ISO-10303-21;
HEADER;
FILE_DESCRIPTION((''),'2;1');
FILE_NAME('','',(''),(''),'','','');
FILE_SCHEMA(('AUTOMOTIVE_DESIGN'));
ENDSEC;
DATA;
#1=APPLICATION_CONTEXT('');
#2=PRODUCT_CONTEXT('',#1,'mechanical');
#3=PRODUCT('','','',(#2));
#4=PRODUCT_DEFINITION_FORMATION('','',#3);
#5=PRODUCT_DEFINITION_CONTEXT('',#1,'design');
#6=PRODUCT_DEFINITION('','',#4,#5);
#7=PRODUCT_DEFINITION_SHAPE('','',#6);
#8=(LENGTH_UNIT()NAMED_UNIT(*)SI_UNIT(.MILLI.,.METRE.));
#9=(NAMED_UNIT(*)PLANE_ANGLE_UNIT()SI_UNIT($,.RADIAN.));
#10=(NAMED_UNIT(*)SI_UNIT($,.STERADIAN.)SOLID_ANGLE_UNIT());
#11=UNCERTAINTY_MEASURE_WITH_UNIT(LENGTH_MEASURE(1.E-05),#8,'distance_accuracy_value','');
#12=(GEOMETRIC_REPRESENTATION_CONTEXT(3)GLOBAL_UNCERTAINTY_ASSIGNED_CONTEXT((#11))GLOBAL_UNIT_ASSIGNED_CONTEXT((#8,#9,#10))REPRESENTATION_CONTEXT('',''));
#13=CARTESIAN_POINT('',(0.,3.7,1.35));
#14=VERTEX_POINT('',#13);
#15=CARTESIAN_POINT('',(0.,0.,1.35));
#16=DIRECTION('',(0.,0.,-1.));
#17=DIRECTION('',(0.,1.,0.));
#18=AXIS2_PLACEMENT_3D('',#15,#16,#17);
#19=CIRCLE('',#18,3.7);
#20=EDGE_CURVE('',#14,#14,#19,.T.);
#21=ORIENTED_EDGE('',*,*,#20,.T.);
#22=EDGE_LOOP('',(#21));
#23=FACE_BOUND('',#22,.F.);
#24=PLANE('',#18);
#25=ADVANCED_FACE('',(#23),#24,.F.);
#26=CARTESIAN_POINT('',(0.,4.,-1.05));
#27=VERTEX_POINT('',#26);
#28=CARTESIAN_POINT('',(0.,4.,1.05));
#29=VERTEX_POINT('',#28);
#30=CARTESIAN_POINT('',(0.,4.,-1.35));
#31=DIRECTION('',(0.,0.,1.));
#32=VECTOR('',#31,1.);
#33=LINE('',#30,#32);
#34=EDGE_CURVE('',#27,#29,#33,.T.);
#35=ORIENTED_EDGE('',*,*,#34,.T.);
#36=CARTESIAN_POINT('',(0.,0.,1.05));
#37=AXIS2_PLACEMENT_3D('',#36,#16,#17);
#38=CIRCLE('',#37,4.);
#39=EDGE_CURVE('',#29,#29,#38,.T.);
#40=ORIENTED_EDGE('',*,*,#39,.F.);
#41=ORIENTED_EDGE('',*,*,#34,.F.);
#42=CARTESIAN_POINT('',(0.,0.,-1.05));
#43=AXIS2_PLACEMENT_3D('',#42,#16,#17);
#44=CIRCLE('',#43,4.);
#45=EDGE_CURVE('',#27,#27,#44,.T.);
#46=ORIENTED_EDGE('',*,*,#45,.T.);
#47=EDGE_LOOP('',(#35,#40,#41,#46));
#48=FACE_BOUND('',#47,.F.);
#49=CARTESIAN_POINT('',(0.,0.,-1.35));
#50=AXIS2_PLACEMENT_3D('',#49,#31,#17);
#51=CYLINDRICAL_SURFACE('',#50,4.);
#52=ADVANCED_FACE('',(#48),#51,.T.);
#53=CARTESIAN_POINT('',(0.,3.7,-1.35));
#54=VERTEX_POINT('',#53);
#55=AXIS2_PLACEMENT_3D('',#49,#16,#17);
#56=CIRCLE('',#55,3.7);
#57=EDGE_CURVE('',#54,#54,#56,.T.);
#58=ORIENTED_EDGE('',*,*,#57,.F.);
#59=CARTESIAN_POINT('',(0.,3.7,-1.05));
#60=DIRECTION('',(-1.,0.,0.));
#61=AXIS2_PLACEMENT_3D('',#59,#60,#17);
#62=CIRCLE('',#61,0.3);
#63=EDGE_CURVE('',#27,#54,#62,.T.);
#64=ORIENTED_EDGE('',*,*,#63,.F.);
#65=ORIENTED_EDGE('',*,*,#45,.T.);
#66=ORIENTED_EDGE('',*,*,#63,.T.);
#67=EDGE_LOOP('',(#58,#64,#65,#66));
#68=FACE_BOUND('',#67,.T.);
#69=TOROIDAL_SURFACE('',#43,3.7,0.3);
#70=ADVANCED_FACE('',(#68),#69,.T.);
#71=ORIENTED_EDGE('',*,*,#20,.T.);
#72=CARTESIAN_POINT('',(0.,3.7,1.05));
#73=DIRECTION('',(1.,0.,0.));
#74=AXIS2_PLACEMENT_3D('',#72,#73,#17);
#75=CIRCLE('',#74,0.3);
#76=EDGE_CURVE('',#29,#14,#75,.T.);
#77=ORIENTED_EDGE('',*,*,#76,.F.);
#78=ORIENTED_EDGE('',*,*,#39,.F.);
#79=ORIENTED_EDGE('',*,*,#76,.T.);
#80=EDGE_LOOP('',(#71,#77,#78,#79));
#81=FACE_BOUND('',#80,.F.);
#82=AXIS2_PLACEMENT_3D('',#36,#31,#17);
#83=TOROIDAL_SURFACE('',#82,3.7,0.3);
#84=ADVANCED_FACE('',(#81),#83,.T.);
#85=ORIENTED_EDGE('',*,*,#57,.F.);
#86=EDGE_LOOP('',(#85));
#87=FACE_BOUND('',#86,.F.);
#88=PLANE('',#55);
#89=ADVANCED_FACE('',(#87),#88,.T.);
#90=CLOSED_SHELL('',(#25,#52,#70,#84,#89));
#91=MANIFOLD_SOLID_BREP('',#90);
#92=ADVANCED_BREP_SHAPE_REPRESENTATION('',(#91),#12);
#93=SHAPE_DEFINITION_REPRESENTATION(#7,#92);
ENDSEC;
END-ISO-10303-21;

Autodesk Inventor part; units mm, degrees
ref_plane "YZ Plane" through (0, 0, 0) normal (1, 0, 0) x (0, 1, 0)
ref_plane "XZ Plane" through (0, 0, 0) normal (0, 1, 0) x (-1, 0, 0)
ref_plane "XY Plane" through (0, 0, 0) normal (0, 0, 1) x (1, 0, 0)
sketch "Sketch1" plane through (0, 0, 0) normal (1, 0, 0) x (0, 1, 0)
  line L0 (4, 1.35) -> (0, 1.35)
  line L1 (0, 1.35) -> (0, -1.35)
  line L2 (0, -1.35) -> (4, -1.35)
  line L3 (4, -1.35) -> (4, 1.35)
  point P0 (0, 0)
  point P1 (0, 0)
  point P2 (4, 0)
  dimension "d0" = 2.7
  dimension "d1" = 8
revolve "Revolution1" add sketch "Sketch1" angle 360 about axis through (0, 0, 1.35) along (0, 0, -1)
fillet "Fillet1" radius 0.3 2 edges at (0, -4, 1.35) (0, -4, -1.35)
properties part number "FS-02-SLBV7"
